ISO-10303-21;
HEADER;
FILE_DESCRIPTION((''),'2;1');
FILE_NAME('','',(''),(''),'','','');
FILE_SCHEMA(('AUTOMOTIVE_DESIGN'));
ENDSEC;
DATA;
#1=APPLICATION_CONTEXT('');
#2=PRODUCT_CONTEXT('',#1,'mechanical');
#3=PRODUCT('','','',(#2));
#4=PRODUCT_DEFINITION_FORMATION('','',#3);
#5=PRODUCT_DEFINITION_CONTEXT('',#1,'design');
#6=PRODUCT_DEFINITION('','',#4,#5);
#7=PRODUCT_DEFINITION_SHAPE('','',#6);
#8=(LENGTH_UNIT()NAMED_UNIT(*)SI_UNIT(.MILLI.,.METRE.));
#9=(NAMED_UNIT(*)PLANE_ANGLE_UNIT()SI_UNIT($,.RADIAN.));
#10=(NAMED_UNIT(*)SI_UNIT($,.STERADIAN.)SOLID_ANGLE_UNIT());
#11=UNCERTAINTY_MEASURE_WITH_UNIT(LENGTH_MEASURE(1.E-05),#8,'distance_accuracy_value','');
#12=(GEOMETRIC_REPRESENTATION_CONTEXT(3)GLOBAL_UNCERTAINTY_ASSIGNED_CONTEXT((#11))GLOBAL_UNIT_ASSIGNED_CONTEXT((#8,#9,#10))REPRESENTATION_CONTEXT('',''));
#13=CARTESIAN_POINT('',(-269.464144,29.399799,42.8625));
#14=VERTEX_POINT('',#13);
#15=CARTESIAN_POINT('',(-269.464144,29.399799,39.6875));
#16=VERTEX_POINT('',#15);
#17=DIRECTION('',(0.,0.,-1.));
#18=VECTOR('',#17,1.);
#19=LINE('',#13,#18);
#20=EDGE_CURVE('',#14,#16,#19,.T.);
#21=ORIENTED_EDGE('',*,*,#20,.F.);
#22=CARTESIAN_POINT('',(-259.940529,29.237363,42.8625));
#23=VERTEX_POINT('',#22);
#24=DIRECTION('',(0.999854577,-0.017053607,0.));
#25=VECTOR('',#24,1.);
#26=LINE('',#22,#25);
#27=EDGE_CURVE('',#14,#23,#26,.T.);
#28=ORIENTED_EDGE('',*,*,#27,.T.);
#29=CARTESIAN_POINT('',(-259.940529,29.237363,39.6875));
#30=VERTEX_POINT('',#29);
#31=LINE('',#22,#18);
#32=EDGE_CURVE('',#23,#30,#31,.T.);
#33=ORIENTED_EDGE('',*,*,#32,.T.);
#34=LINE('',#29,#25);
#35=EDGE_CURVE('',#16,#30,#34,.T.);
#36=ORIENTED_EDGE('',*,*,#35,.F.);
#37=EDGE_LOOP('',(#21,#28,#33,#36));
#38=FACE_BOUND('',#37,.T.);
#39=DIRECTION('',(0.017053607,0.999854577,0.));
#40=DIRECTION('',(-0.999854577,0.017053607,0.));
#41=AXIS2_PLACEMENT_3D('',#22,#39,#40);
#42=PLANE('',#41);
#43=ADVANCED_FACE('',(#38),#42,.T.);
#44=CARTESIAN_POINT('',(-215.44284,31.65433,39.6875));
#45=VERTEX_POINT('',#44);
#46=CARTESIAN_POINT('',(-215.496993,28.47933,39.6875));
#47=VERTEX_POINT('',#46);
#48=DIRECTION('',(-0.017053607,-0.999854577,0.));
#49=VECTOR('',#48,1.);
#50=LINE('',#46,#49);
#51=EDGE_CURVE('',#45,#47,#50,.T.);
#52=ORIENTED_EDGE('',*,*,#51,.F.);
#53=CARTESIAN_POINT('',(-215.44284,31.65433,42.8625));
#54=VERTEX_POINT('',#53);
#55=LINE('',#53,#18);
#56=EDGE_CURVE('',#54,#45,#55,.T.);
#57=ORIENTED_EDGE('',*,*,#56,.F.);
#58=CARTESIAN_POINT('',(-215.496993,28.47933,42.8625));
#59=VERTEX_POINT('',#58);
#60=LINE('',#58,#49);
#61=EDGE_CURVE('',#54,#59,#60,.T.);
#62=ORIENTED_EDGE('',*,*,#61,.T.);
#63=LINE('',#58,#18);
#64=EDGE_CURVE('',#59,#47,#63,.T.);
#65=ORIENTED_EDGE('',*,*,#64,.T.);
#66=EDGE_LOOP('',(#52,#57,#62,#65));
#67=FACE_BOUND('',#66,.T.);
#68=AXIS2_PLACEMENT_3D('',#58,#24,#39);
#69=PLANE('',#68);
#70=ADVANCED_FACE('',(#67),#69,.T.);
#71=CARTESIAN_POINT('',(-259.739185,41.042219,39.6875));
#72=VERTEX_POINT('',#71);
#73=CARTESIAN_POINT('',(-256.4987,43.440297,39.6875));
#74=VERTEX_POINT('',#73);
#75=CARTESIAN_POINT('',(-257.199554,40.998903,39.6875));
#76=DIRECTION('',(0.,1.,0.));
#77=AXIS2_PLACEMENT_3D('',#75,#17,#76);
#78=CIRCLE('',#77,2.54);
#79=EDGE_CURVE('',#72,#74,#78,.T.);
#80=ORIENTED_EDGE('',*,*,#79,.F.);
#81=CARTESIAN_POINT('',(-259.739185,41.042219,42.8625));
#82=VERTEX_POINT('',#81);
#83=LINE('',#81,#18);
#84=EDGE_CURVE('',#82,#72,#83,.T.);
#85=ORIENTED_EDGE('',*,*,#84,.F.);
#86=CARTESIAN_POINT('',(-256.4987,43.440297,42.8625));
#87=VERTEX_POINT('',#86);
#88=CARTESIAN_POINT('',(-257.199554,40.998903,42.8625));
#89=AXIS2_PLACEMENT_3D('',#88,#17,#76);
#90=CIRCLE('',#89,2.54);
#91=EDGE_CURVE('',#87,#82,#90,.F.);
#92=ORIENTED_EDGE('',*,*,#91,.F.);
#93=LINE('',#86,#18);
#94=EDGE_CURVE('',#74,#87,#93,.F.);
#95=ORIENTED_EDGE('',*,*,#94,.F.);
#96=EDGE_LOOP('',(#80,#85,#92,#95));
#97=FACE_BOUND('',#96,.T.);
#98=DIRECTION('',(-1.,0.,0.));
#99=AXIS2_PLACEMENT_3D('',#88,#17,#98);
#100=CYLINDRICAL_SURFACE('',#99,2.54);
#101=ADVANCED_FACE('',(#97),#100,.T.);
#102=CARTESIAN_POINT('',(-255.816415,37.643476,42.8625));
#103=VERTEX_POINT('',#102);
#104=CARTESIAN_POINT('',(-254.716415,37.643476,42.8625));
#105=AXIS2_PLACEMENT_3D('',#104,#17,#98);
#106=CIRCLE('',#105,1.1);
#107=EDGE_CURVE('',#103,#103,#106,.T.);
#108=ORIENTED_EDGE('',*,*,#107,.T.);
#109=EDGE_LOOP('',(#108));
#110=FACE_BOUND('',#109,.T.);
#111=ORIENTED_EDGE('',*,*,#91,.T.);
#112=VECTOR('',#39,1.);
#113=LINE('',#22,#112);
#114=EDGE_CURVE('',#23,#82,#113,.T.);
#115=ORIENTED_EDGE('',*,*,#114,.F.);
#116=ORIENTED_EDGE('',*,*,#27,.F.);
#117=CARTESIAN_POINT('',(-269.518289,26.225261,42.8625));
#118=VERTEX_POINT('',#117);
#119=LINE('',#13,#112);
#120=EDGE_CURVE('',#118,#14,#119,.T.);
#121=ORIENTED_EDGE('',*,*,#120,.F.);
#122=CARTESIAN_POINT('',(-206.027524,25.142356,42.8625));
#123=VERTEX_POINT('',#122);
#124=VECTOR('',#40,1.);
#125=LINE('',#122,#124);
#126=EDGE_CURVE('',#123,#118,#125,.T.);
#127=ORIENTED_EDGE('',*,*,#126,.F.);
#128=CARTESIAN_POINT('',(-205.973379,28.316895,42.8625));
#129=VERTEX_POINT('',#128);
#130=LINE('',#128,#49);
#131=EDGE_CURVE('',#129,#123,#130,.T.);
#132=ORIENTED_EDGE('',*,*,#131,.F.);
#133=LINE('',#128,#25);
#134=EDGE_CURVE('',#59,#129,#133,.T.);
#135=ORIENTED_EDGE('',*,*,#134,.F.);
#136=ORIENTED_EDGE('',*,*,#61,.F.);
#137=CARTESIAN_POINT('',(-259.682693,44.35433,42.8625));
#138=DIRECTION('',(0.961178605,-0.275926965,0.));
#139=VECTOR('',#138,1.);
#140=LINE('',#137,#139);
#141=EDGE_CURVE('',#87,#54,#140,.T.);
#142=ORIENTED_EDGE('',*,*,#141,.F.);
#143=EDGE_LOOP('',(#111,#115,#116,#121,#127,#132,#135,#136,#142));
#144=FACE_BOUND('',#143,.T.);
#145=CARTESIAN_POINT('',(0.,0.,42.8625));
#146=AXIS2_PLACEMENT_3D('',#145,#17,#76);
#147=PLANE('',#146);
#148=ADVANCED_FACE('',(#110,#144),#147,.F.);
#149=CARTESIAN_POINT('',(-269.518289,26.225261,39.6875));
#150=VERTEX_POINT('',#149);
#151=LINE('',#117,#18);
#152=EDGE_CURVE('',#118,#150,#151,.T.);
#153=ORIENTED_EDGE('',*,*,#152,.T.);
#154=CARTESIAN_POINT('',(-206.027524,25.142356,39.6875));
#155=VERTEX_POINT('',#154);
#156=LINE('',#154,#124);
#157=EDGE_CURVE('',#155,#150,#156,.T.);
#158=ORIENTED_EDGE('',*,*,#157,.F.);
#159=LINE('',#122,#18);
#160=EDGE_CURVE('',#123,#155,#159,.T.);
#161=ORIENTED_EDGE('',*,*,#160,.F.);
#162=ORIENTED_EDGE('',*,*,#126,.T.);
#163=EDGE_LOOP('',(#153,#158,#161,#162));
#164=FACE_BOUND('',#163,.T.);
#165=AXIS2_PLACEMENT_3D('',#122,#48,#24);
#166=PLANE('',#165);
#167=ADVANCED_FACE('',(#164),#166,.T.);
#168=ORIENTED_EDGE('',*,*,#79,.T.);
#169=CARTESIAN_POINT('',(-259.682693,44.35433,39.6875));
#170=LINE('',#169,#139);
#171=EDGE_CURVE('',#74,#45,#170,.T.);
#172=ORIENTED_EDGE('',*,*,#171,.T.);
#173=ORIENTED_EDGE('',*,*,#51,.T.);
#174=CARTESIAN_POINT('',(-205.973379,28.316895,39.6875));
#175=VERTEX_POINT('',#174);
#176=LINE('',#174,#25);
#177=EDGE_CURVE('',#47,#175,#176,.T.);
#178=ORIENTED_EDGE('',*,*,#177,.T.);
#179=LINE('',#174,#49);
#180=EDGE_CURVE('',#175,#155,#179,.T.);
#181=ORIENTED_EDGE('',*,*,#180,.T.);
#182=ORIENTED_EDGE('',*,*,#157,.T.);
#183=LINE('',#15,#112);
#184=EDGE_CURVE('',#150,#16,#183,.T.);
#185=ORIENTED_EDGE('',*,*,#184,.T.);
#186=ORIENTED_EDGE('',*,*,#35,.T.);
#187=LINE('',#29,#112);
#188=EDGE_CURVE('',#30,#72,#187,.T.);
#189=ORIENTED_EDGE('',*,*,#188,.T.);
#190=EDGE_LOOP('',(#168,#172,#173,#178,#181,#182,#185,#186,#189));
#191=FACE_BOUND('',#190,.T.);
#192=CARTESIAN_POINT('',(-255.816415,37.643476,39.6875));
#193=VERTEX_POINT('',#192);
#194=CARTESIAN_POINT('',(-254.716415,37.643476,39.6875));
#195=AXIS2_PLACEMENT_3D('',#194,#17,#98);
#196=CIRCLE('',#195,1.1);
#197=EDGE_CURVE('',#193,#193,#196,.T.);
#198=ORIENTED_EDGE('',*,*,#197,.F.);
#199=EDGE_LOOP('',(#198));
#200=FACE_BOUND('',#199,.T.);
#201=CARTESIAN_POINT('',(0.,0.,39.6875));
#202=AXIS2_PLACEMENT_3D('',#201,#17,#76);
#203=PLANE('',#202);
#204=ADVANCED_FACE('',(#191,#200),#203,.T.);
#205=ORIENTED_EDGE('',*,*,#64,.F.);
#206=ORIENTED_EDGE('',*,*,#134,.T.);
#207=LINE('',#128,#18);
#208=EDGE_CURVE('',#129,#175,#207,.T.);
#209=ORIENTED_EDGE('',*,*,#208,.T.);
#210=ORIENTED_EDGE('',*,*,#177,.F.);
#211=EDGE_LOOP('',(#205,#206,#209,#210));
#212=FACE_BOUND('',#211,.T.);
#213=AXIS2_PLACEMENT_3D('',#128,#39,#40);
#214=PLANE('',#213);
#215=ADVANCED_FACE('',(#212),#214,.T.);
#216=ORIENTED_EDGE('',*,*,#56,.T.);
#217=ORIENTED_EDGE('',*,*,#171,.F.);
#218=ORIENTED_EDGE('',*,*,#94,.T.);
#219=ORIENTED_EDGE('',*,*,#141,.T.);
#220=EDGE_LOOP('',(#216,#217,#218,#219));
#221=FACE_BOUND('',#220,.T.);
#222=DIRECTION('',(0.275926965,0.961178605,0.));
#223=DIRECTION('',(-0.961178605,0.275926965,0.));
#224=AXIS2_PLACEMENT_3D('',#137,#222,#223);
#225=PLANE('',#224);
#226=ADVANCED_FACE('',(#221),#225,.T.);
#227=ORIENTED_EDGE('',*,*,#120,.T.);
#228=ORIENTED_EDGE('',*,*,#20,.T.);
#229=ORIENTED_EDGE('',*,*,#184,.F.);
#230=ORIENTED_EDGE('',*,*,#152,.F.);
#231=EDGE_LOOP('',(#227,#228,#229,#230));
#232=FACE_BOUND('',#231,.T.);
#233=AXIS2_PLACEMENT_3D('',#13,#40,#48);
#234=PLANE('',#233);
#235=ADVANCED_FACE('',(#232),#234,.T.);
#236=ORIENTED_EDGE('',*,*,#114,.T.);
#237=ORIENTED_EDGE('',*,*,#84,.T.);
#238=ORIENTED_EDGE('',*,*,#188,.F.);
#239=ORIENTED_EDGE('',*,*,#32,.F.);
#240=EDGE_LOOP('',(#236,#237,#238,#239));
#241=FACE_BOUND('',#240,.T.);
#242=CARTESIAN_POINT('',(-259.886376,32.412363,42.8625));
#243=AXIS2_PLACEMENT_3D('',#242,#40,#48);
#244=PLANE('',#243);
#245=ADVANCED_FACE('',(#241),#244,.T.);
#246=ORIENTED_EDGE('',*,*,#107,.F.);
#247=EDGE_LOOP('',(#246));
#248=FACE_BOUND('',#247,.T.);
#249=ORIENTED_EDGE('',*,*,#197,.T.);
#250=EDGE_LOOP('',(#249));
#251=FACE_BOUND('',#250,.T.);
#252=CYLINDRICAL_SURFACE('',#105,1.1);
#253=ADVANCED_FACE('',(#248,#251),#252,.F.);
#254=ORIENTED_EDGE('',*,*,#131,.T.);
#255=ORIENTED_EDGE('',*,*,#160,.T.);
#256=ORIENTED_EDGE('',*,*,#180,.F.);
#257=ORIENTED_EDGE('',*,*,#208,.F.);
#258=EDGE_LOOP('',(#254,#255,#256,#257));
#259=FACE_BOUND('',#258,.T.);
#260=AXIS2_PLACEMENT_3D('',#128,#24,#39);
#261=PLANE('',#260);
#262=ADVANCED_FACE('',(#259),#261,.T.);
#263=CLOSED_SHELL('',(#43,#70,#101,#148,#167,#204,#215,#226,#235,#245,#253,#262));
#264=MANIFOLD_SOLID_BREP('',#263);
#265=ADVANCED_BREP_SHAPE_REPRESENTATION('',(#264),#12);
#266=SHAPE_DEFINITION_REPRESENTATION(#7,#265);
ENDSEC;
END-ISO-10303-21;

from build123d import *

# Parameters (mm, degrees)
BOSS_EXTRUDE2_DEPTH      = 1.5875
BOSS_EXTRUDE2_DEPTH_BACK = 1.5875
SKETCH4_R                = 1.1
FILLET2_R                = 2.54


with BuildPart() as part:
    # Sketch4 → Boss-Extrude2 (new, two sides: drawn at the far end of the back side and taken through both)
    with BuildSketch(Plane(origin=(0, 0, 41.275), x_dir=(-1, 0, 0), z_dir=(0, 0, -1)).offset(-BOSS_EXTRUDE2_DEPTH_BACK)):
        Polygon((205.973378569, 28.316894771), (215.496993412, 28.479330378), (215.442840335, 31.654330378), (259.682693032, 44.354330378), (259.886376268, 32.412363209), (259.940529345, 29.237363209), (269.464144188, 29.399798816), (269.51828939, 26.225260535), (206.027523772, 25.14235649), align=None)
        with Locations((254.716415099, 37.643475636)):
            Circle(SKETCH4_R, mode=Mode.SUBTRACT)
    extrude(amount=BOSS_EXTRUDE2_DEPTH + BOSS_EXTRUDE2_DEPTH_BACK)

    # Fillet2
    fillet2_edges = [part.edges().sort_by_distance(p)[0] for p in [
        (-259.682693032, 44.354330378, 41.275),
    ]]
    fillet(fillet2_edges, radius=FILLET2_R)


solid = part.part
